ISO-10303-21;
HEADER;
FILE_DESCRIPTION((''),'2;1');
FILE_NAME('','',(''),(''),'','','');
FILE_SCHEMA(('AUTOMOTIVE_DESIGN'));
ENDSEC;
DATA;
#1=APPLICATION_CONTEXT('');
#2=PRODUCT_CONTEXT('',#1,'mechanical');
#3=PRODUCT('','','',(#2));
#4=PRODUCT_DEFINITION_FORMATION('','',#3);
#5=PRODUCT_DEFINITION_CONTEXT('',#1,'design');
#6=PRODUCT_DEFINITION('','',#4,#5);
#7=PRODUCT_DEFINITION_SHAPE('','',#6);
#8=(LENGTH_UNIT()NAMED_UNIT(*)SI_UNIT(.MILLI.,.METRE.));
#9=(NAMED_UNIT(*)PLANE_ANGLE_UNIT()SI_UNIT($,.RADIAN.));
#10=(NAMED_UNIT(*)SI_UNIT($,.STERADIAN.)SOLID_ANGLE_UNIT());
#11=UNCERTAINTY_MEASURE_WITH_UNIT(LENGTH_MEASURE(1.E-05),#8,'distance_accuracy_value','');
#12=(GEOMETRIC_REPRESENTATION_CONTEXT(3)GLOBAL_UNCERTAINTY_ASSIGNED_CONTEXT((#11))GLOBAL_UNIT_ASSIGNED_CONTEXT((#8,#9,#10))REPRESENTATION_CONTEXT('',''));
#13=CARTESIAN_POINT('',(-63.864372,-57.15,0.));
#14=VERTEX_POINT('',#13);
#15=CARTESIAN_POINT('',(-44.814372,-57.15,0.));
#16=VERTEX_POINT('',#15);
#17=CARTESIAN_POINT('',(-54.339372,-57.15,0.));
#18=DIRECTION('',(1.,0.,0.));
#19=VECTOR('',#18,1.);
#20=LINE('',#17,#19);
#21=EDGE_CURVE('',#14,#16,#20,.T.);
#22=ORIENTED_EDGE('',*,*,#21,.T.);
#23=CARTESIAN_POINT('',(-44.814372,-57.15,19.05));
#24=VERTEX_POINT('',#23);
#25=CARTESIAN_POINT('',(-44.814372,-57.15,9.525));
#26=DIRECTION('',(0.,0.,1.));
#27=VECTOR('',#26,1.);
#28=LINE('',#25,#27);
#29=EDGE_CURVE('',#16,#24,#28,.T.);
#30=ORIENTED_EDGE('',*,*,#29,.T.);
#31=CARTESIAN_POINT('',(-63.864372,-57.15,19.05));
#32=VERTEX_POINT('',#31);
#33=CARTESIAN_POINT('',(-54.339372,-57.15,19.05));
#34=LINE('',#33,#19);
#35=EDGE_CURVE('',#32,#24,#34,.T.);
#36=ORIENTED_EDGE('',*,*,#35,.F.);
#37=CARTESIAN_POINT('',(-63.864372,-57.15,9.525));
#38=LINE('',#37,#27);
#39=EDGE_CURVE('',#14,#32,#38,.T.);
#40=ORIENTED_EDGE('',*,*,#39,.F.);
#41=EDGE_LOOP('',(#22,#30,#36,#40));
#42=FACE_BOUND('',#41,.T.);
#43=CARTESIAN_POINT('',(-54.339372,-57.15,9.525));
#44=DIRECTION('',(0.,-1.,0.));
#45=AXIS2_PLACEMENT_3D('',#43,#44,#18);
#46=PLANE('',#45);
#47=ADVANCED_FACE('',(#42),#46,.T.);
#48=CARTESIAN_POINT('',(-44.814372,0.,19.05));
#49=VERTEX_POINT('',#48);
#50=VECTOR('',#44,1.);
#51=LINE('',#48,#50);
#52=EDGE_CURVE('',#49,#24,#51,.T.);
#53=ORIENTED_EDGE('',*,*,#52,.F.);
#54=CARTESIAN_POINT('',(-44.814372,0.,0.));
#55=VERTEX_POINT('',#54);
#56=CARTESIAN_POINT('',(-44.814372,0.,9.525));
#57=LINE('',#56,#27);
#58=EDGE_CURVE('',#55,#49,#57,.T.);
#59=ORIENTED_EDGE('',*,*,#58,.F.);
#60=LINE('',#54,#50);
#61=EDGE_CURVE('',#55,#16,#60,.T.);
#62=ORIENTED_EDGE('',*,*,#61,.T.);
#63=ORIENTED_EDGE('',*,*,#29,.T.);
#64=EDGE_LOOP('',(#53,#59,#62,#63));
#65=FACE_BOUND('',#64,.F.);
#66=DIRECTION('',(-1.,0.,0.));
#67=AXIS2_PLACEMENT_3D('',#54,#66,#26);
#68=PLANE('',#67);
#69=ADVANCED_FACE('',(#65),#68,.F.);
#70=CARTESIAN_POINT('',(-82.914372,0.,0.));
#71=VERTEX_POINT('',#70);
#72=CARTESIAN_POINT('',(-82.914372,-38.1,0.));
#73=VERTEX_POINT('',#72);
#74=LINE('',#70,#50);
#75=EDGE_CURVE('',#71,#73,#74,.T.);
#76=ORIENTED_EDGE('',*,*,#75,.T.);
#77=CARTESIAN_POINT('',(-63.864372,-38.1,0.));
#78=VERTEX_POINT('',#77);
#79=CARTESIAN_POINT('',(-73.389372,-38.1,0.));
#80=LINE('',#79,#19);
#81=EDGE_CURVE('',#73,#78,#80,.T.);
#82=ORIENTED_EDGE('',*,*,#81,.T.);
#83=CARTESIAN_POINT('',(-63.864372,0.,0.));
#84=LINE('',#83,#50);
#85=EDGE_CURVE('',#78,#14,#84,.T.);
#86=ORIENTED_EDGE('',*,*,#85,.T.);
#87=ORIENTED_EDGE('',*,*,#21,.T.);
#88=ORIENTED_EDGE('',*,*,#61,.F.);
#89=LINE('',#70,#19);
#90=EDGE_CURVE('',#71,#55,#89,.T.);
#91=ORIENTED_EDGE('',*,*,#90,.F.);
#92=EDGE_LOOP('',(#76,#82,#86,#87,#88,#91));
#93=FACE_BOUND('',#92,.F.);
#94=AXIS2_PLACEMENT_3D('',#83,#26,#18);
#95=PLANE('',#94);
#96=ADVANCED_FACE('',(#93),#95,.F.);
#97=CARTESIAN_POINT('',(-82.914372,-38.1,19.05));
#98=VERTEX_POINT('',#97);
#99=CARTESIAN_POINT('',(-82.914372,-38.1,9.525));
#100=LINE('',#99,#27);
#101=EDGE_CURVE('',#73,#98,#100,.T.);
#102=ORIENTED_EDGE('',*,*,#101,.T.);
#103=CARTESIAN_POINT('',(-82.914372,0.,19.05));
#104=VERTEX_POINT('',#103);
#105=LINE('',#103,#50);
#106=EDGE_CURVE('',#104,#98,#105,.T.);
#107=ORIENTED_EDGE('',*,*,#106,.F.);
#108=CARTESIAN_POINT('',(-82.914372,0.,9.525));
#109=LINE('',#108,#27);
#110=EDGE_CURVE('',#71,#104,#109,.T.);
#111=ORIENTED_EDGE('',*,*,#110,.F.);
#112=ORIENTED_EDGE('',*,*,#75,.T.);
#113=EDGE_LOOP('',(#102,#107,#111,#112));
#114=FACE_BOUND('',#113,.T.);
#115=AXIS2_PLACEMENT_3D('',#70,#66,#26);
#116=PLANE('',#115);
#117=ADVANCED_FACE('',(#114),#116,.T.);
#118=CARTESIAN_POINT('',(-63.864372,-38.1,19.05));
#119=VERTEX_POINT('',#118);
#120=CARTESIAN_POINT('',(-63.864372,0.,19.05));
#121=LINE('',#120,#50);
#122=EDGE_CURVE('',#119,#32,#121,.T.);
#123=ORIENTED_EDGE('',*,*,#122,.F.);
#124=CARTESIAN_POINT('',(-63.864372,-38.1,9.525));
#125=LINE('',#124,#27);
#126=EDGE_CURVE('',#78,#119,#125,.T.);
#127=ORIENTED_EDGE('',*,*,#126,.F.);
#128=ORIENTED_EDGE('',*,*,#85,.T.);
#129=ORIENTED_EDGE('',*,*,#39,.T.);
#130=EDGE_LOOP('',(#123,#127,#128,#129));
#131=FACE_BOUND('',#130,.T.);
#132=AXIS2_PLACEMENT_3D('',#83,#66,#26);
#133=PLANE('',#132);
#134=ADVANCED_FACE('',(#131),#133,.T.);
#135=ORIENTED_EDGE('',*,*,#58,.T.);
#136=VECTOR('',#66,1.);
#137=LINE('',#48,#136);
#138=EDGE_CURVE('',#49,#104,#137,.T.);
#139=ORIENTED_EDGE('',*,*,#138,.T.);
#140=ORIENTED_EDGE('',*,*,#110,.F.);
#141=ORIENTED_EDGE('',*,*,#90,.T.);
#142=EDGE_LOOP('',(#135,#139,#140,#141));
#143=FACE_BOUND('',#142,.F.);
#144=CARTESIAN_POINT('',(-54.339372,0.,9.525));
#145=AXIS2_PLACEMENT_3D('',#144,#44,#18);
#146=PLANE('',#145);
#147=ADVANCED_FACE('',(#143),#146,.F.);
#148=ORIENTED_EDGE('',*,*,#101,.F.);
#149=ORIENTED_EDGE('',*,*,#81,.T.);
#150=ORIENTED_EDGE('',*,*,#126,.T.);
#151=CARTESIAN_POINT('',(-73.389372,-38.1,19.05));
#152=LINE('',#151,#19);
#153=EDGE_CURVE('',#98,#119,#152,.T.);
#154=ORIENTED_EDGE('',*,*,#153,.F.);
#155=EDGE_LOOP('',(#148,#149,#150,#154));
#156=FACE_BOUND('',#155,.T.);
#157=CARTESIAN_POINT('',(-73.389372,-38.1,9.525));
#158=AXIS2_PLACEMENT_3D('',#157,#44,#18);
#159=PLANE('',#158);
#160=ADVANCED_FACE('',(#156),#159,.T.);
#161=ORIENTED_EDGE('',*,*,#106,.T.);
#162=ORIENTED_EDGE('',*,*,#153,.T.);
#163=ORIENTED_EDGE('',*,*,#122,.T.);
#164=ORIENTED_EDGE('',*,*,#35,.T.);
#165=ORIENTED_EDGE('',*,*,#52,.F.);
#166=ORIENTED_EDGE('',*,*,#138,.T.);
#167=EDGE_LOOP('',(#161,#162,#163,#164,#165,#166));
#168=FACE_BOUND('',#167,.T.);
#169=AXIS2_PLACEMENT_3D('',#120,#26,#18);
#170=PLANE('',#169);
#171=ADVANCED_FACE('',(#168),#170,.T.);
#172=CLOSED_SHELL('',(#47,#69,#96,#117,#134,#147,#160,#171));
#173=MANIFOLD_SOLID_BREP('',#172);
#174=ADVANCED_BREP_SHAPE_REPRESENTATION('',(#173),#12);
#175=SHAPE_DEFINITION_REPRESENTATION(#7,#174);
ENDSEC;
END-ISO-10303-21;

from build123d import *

# Parameters (mm, degrees)
F0_W     = 19.05
F0_H     = 19.05
F1_DEPTH = 38.1
F2_DEPTH = 57.15


with BuildPart() as f1:
    # F0 (on Front) → F1 (new body)
    with BuildSketch(Plane.XZ):
        with Locations((-73.389372, 9.525)):
            Rectangle(F0_W, F0_H)
    extrude(amount=F1_DEPTH)

    # F0 (on Front) → F2 (join)
    with BuildSketch(Plane.XZ):
        with Locations((-54.339372, 9.525)):
            Rectangle(F0_W, F0_H)
    extrude(amount=F2_DEPTH)


solid = f1.part
